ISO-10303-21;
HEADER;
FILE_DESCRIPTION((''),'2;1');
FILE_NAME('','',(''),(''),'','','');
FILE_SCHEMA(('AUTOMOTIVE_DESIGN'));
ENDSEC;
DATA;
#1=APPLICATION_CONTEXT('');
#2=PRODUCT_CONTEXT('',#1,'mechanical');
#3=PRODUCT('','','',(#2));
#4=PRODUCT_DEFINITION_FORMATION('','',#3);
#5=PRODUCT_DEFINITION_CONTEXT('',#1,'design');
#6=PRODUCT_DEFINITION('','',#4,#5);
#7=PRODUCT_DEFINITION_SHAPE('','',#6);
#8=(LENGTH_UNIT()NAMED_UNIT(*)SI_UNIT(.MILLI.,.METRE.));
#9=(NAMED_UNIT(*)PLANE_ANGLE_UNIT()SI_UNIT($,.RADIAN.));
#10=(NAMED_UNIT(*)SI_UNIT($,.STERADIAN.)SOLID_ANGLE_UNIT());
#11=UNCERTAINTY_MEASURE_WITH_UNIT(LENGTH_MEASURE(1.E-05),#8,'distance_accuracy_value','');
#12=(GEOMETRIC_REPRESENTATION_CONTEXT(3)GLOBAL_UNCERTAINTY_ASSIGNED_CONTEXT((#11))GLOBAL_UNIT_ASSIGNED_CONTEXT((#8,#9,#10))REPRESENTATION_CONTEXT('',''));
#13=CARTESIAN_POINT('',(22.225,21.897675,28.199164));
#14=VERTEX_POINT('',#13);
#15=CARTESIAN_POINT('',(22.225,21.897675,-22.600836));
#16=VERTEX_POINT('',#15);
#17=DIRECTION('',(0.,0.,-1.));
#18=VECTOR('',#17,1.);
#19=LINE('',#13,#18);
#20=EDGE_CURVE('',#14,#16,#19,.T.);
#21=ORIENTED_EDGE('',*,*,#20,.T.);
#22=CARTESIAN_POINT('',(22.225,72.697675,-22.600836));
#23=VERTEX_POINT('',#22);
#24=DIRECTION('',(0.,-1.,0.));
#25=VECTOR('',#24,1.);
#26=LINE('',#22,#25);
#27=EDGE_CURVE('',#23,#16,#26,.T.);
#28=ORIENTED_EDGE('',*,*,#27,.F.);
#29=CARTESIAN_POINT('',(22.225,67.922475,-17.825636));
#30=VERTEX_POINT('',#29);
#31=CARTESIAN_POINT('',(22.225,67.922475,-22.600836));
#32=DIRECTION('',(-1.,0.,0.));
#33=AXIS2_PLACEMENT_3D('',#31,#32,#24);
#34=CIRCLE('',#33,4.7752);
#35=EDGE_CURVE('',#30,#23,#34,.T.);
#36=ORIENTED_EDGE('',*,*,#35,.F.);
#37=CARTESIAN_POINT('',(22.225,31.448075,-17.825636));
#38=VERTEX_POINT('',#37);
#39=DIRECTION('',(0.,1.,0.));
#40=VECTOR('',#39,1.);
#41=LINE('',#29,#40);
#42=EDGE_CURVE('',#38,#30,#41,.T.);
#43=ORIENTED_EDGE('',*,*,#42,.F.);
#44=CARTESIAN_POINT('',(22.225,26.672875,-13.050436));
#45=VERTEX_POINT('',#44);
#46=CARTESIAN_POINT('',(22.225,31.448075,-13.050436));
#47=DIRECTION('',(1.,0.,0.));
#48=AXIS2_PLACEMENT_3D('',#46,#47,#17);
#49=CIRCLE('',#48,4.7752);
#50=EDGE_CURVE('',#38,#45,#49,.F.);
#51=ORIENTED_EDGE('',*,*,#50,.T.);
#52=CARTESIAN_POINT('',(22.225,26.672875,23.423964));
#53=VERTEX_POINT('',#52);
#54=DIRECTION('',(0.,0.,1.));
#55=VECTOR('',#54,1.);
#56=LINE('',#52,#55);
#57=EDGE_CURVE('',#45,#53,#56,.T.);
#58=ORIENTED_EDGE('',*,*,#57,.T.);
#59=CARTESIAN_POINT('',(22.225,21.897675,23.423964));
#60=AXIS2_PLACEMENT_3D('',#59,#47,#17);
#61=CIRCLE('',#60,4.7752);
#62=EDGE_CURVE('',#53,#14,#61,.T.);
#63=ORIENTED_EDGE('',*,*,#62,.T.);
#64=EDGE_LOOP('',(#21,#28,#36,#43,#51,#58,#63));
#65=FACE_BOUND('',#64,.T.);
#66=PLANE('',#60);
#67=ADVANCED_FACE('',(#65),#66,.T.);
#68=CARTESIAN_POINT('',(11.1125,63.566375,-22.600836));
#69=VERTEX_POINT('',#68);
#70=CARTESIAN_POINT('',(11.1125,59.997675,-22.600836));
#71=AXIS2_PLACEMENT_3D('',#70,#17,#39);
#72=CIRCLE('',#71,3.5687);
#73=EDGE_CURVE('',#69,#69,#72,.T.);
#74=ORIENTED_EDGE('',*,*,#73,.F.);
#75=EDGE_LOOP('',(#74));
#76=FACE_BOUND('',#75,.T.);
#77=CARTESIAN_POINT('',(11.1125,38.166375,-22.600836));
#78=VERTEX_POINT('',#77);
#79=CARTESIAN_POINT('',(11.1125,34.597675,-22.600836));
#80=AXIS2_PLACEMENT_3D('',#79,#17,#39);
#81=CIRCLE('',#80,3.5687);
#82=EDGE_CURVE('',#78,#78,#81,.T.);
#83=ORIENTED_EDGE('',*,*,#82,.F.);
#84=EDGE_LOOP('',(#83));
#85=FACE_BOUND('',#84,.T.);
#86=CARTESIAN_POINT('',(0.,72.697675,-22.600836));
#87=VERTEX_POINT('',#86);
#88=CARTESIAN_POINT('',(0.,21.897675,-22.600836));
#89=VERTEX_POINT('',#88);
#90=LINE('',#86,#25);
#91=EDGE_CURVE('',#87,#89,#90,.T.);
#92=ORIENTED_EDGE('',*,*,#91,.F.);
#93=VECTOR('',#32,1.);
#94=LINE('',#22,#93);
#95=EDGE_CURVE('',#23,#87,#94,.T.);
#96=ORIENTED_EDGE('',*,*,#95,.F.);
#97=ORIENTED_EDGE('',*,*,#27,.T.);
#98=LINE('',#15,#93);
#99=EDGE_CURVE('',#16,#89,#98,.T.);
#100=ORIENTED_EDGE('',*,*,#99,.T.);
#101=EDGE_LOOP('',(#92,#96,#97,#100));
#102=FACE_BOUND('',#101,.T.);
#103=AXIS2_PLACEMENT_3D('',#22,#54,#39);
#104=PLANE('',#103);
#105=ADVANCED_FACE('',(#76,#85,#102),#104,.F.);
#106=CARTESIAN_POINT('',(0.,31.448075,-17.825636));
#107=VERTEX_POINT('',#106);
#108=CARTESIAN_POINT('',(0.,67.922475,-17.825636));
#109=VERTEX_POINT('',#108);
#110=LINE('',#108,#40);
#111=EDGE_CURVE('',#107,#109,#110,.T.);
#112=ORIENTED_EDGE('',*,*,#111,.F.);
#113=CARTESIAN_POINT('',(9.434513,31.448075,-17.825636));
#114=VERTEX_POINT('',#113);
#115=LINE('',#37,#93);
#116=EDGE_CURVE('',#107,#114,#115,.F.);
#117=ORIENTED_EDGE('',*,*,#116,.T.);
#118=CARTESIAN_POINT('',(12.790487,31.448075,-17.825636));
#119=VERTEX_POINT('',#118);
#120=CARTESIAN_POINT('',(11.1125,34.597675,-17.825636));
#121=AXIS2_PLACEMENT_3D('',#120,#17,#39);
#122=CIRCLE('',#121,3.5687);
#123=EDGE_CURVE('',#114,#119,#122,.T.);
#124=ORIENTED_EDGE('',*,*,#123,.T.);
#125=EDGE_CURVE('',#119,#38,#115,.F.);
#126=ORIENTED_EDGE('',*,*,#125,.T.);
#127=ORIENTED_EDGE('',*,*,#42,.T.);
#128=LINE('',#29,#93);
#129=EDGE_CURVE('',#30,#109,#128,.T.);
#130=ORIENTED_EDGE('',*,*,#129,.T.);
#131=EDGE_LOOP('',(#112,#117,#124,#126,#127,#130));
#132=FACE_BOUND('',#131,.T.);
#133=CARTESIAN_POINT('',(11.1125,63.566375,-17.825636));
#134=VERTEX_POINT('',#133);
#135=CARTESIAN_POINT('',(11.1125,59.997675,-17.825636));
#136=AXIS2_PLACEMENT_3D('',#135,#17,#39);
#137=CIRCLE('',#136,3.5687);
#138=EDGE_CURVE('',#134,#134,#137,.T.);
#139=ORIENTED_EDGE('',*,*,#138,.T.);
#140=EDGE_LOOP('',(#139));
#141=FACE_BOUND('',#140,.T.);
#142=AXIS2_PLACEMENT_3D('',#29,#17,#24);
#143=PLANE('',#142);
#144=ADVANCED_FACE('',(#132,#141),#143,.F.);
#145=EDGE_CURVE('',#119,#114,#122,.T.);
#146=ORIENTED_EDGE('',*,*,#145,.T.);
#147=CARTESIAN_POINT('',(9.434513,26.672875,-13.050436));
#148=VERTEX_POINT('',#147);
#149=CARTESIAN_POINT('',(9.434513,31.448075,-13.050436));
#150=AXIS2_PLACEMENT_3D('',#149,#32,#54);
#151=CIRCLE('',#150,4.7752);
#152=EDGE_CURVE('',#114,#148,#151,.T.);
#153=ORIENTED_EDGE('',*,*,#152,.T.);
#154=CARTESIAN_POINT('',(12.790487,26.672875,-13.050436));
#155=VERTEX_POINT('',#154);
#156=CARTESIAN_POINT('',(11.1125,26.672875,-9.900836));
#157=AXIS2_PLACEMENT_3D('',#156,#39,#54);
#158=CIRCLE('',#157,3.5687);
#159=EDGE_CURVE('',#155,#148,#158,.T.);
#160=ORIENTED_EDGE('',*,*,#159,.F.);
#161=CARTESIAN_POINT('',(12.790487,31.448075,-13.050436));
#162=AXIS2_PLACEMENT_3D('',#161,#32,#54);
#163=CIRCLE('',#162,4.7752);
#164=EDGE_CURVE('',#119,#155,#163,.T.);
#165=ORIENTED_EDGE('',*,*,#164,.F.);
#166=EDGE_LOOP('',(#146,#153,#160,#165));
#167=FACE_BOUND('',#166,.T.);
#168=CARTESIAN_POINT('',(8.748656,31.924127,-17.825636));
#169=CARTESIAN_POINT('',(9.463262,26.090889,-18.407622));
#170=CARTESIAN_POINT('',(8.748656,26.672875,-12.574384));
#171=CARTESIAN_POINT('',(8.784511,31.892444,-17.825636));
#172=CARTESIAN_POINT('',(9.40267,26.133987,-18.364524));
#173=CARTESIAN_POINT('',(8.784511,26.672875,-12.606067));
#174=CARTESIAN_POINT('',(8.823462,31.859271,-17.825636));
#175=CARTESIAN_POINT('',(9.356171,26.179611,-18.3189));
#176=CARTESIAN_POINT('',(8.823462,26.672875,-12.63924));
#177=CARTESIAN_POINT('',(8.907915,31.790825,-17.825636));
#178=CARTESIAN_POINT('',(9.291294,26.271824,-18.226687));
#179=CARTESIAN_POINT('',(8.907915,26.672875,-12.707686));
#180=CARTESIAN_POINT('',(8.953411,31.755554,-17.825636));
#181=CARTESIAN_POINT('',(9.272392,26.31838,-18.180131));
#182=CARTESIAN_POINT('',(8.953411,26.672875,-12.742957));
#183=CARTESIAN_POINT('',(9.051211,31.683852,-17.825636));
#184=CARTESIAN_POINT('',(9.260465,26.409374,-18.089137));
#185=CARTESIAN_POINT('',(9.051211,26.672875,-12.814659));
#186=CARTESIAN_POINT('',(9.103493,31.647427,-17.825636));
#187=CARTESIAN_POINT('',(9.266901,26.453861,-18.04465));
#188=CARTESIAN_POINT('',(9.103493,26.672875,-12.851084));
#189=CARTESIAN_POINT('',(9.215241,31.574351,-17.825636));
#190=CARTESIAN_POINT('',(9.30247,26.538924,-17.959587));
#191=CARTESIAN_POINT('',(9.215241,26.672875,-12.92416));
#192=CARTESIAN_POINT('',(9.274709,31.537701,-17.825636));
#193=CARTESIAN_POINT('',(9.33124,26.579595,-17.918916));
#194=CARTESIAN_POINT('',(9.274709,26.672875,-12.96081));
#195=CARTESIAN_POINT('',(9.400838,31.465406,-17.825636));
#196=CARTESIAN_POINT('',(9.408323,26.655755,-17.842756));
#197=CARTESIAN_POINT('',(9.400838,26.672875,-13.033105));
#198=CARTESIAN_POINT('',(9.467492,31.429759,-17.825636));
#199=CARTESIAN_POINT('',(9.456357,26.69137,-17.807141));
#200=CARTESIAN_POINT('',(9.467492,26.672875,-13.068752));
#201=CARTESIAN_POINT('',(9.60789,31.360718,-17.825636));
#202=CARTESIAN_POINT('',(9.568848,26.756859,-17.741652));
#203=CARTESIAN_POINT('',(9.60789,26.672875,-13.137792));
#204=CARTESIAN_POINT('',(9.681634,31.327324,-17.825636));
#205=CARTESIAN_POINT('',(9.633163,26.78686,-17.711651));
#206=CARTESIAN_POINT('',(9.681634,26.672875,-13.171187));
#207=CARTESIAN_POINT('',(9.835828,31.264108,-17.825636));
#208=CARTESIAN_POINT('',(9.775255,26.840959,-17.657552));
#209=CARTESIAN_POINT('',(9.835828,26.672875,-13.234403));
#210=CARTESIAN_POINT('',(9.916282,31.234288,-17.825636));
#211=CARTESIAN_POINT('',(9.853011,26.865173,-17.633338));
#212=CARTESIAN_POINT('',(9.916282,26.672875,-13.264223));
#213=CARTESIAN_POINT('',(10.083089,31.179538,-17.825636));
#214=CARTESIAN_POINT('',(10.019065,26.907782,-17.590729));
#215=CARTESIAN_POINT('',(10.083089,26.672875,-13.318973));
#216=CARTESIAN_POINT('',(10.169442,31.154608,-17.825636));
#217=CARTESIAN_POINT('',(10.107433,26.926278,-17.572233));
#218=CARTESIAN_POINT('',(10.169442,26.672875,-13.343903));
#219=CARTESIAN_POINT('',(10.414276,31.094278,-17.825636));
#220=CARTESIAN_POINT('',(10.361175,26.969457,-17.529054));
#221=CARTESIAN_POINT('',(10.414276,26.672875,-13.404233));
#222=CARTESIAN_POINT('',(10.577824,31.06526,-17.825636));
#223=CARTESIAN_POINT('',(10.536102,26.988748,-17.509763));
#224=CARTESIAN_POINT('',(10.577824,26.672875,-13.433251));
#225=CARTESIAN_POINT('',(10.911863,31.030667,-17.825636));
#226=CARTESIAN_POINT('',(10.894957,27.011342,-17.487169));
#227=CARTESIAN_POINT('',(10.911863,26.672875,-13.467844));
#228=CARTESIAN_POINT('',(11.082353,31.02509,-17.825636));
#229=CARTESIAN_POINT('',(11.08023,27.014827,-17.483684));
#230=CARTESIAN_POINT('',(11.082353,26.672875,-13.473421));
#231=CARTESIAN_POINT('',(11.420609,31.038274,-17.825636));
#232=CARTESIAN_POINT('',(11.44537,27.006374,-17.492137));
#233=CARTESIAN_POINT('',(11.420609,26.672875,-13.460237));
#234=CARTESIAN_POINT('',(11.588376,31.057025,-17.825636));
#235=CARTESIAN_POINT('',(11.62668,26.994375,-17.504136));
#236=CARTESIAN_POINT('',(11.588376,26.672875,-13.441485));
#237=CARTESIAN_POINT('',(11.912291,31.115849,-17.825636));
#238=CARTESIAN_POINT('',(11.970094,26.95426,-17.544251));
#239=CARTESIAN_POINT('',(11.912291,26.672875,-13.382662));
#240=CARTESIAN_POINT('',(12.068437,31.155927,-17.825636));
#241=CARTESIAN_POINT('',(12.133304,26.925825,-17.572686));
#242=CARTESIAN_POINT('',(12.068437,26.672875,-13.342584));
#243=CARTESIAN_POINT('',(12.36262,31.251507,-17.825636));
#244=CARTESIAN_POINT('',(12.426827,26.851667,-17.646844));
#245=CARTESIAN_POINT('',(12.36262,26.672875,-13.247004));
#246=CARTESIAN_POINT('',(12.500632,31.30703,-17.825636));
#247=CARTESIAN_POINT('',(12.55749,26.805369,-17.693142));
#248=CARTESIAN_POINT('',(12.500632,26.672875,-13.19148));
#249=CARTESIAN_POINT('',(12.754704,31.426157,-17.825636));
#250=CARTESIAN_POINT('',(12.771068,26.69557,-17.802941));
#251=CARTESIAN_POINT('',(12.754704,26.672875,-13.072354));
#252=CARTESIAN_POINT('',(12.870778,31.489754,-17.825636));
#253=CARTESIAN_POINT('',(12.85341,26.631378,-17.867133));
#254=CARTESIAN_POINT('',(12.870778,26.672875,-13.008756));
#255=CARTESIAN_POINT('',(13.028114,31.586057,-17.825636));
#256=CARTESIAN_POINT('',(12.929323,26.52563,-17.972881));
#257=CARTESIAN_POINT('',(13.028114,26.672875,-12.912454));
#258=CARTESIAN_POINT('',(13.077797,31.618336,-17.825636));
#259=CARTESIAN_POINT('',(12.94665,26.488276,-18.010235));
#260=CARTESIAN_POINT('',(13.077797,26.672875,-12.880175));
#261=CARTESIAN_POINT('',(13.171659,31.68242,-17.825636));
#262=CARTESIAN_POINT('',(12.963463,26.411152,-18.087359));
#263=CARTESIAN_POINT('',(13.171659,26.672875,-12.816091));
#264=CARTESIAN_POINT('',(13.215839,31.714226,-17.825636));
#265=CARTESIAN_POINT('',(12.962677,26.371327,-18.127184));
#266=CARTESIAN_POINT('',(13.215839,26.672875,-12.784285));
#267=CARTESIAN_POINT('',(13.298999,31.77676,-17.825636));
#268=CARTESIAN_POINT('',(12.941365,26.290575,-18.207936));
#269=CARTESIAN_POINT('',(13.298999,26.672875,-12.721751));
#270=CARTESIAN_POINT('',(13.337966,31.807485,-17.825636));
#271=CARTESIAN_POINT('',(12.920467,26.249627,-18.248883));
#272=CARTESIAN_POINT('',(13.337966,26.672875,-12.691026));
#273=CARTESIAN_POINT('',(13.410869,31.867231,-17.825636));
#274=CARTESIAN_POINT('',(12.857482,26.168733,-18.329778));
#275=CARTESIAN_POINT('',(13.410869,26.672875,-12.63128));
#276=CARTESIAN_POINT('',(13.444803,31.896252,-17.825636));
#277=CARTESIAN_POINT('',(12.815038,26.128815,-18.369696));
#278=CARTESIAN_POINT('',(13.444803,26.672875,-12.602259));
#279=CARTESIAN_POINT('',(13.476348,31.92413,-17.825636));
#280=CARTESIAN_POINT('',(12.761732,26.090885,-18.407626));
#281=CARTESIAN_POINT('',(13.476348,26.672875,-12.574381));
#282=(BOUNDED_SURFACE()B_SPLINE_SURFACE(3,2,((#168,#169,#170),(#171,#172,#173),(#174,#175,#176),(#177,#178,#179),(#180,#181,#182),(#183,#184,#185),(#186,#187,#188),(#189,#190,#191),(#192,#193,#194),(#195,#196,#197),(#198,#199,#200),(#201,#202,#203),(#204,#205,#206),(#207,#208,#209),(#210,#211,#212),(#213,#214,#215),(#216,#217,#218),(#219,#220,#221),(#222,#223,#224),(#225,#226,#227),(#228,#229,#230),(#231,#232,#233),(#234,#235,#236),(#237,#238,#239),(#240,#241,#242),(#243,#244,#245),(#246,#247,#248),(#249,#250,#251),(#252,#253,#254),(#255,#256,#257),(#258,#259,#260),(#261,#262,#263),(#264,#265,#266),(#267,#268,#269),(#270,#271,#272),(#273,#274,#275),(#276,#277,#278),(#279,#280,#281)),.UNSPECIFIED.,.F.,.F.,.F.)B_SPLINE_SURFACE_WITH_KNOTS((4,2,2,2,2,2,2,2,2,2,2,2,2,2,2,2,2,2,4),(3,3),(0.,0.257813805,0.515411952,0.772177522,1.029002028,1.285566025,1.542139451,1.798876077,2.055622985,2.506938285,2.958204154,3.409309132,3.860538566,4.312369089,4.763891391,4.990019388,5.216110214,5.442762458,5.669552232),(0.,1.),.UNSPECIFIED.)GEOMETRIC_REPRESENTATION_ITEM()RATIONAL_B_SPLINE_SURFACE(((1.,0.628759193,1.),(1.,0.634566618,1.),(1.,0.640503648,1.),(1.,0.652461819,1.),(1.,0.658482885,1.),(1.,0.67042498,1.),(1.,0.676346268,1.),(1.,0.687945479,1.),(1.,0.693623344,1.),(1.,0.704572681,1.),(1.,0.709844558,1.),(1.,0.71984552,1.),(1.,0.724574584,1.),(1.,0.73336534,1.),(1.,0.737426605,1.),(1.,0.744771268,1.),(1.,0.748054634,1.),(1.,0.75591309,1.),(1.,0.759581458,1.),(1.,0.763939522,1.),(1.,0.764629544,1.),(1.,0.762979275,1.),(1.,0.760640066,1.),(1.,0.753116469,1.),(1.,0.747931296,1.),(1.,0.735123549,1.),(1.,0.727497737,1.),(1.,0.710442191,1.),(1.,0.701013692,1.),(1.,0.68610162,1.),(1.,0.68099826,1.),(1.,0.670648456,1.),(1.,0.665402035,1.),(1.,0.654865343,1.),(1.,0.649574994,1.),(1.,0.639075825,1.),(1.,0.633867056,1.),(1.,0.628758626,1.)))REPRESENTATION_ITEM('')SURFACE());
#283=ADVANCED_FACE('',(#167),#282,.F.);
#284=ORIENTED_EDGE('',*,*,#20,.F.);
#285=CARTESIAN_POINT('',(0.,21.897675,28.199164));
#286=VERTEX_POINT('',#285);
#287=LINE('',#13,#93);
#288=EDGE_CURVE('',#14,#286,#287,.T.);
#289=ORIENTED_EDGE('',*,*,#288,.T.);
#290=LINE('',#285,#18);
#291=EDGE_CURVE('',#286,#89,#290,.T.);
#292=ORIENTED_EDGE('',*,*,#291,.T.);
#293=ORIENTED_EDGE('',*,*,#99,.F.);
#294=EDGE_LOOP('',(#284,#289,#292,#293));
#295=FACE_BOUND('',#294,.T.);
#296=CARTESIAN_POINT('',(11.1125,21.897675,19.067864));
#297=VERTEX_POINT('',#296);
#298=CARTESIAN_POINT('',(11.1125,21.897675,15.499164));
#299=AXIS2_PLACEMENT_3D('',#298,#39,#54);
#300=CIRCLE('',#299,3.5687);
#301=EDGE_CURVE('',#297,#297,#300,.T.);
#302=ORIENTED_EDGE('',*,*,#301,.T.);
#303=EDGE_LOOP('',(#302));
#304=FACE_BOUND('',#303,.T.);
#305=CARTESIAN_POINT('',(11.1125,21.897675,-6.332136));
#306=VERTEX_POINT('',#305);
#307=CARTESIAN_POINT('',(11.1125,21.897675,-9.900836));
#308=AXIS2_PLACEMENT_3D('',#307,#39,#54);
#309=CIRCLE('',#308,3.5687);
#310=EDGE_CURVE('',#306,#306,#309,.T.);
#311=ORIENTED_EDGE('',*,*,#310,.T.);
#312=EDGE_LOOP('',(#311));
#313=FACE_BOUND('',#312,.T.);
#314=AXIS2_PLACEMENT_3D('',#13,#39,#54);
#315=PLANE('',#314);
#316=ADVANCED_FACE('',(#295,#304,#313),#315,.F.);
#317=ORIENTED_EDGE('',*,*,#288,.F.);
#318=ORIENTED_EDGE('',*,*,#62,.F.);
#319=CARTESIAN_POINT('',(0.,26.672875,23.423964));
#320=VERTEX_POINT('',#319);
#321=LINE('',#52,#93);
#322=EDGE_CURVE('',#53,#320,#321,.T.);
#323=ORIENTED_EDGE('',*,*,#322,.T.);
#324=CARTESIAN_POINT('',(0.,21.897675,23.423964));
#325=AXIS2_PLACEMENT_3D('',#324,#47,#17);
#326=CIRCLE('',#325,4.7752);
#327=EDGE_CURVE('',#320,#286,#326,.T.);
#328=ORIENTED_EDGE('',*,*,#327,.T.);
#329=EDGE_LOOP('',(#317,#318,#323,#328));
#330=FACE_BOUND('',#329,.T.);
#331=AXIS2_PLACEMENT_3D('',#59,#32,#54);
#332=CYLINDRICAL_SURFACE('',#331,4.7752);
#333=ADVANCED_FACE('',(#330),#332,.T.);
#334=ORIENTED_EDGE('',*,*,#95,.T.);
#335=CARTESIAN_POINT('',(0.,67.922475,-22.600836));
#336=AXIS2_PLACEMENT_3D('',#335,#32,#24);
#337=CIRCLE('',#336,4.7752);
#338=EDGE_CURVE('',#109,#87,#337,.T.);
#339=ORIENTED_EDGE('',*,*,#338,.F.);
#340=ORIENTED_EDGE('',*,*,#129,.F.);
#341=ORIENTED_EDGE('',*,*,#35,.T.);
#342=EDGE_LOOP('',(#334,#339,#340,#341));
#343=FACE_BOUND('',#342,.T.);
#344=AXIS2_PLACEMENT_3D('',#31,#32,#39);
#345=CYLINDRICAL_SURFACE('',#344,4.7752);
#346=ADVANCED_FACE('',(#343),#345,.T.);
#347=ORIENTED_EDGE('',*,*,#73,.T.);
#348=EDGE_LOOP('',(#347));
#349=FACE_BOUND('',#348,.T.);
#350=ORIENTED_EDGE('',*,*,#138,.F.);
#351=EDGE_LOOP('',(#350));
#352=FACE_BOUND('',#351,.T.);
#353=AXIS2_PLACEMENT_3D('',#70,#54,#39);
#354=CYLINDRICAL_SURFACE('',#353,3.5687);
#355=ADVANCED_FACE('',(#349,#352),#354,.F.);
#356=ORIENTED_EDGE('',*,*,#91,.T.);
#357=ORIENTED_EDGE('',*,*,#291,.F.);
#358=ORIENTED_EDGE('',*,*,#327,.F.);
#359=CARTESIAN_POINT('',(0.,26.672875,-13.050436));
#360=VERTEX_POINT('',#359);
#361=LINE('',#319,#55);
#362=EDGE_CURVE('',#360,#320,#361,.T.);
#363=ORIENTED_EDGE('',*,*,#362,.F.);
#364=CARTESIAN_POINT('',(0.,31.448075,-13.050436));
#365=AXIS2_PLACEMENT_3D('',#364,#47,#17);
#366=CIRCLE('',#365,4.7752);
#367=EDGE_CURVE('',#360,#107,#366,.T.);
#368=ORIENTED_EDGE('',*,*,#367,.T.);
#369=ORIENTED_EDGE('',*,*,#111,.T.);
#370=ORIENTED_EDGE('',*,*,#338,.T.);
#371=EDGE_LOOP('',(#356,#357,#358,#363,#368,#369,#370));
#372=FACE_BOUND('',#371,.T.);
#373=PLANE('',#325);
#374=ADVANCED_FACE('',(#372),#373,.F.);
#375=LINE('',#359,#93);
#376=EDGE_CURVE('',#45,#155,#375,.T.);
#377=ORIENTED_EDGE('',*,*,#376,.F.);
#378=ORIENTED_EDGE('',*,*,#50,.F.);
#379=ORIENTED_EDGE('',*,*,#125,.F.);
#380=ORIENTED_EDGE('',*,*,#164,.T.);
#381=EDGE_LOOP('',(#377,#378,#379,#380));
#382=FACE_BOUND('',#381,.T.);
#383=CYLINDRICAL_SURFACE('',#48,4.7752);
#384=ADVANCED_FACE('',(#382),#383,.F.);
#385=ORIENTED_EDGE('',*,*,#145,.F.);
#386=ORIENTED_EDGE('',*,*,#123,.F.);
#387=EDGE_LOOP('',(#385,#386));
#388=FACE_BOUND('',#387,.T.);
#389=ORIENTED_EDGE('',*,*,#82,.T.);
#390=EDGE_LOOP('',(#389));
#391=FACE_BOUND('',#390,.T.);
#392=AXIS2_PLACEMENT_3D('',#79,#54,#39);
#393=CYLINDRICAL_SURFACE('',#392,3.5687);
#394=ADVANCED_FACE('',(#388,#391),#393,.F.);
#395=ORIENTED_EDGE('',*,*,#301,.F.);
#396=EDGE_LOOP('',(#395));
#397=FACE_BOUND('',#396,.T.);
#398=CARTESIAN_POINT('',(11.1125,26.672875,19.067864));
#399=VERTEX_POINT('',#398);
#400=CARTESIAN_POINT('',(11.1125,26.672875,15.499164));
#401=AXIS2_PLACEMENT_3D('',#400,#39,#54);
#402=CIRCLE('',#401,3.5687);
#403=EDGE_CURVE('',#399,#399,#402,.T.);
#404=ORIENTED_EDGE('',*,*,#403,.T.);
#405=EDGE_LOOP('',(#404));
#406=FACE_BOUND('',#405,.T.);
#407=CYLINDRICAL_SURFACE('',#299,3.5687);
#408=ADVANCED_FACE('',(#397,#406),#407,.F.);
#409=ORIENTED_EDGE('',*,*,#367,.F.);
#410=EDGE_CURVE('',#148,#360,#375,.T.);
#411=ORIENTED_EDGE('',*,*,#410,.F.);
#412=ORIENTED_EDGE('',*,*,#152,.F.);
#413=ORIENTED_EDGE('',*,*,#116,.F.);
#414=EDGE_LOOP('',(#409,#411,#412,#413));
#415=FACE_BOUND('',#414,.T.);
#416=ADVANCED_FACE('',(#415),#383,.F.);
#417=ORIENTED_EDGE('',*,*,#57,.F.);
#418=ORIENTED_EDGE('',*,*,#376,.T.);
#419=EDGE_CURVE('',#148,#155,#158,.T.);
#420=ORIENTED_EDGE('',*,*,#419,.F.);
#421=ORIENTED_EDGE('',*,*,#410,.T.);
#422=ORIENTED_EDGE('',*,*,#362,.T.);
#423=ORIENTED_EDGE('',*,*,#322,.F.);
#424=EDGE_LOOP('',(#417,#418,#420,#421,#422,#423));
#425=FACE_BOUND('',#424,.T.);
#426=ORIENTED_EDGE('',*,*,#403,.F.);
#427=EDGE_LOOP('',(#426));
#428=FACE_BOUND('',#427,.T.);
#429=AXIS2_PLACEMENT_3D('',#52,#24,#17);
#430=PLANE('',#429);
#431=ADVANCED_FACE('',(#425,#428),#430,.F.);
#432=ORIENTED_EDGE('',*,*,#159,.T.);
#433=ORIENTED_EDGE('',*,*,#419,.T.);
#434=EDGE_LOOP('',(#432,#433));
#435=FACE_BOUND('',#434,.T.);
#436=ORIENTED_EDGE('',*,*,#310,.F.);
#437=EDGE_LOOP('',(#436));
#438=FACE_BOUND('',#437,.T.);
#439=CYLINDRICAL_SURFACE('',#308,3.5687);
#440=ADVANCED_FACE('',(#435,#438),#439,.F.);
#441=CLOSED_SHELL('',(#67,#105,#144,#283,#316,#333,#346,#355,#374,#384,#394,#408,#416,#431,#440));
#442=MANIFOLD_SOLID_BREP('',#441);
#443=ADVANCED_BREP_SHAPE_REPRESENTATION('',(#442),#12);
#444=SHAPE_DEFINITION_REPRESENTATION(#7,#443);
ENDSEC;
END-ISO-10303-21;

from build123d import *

# Parameters (mm, degrees)
EXTRUDE1_DEPTH     = 22.225
SKETCH2_R          = 3.5687
CUT_EXTRUDE1_DEPTH = 5.7752
FILLET1_R          = 4.7752


with BuildPart() as part:
    # Sketch1 → Extrude1 (new body)
    with BuildSketch(Plane(origin=(0, 0, 0), x_dir=(0, 0, -1), z_dir=(1, 0, 0))):
        with BuildLine():
            Line((-28.199163803, 21.897674685), (22.600836197, 21.897674685))
            Line((22.600836197, 21.897674685), (17.825636197, 26.672874685))
            Line((17.825636197, 26.672874685), (-23.423963803, 26.672874685))
            ThreePointArc((-23.423963803, 26.672874685), (-26.800540105, 25.274250987), (-28.199163803, 21.897674685))
        make_face()
    extrude(amount=EXTRUDE1_DEPTH)

    # Sketch2 → Cut-Extrude1 (cut, through all)
    with BuildSketch(Plane(origin=(0, 26.672874685, 0), x_dir=(1, 0, 0), z_dir=(0, 1, 0))):
        with Locations((11.1125, -15.499163803)):
            Circle(SKETCH2_R)
        with Locations((11.1125, 9.900836197)):
            Circle(SKETCH2_R)
    extrude(amount=-CUT_EXTRUDE1_DEPTH, mode=Mode.SUBTRACT)

    # Mirror1: part across plane


with BuildPart() as part_1:
    add(part.part)
    add(part.part.mirror(Plane(origin=(22.225, 21.897674685, -22.600836197), x_dir=(0, 0.707106781, 0.707106781), z_dir=(0, -0.707106781, 0.707106781))))

    # Fillet1
    fillet1_edges = [part_1.edges().sort_by_distance(p)[0] for p in [
        (11.1125, 26.672874685, -17.825636197),
    ]]
    fillet(fillet1_edges, radius=FILLET1_R)


solid = part_1.part
